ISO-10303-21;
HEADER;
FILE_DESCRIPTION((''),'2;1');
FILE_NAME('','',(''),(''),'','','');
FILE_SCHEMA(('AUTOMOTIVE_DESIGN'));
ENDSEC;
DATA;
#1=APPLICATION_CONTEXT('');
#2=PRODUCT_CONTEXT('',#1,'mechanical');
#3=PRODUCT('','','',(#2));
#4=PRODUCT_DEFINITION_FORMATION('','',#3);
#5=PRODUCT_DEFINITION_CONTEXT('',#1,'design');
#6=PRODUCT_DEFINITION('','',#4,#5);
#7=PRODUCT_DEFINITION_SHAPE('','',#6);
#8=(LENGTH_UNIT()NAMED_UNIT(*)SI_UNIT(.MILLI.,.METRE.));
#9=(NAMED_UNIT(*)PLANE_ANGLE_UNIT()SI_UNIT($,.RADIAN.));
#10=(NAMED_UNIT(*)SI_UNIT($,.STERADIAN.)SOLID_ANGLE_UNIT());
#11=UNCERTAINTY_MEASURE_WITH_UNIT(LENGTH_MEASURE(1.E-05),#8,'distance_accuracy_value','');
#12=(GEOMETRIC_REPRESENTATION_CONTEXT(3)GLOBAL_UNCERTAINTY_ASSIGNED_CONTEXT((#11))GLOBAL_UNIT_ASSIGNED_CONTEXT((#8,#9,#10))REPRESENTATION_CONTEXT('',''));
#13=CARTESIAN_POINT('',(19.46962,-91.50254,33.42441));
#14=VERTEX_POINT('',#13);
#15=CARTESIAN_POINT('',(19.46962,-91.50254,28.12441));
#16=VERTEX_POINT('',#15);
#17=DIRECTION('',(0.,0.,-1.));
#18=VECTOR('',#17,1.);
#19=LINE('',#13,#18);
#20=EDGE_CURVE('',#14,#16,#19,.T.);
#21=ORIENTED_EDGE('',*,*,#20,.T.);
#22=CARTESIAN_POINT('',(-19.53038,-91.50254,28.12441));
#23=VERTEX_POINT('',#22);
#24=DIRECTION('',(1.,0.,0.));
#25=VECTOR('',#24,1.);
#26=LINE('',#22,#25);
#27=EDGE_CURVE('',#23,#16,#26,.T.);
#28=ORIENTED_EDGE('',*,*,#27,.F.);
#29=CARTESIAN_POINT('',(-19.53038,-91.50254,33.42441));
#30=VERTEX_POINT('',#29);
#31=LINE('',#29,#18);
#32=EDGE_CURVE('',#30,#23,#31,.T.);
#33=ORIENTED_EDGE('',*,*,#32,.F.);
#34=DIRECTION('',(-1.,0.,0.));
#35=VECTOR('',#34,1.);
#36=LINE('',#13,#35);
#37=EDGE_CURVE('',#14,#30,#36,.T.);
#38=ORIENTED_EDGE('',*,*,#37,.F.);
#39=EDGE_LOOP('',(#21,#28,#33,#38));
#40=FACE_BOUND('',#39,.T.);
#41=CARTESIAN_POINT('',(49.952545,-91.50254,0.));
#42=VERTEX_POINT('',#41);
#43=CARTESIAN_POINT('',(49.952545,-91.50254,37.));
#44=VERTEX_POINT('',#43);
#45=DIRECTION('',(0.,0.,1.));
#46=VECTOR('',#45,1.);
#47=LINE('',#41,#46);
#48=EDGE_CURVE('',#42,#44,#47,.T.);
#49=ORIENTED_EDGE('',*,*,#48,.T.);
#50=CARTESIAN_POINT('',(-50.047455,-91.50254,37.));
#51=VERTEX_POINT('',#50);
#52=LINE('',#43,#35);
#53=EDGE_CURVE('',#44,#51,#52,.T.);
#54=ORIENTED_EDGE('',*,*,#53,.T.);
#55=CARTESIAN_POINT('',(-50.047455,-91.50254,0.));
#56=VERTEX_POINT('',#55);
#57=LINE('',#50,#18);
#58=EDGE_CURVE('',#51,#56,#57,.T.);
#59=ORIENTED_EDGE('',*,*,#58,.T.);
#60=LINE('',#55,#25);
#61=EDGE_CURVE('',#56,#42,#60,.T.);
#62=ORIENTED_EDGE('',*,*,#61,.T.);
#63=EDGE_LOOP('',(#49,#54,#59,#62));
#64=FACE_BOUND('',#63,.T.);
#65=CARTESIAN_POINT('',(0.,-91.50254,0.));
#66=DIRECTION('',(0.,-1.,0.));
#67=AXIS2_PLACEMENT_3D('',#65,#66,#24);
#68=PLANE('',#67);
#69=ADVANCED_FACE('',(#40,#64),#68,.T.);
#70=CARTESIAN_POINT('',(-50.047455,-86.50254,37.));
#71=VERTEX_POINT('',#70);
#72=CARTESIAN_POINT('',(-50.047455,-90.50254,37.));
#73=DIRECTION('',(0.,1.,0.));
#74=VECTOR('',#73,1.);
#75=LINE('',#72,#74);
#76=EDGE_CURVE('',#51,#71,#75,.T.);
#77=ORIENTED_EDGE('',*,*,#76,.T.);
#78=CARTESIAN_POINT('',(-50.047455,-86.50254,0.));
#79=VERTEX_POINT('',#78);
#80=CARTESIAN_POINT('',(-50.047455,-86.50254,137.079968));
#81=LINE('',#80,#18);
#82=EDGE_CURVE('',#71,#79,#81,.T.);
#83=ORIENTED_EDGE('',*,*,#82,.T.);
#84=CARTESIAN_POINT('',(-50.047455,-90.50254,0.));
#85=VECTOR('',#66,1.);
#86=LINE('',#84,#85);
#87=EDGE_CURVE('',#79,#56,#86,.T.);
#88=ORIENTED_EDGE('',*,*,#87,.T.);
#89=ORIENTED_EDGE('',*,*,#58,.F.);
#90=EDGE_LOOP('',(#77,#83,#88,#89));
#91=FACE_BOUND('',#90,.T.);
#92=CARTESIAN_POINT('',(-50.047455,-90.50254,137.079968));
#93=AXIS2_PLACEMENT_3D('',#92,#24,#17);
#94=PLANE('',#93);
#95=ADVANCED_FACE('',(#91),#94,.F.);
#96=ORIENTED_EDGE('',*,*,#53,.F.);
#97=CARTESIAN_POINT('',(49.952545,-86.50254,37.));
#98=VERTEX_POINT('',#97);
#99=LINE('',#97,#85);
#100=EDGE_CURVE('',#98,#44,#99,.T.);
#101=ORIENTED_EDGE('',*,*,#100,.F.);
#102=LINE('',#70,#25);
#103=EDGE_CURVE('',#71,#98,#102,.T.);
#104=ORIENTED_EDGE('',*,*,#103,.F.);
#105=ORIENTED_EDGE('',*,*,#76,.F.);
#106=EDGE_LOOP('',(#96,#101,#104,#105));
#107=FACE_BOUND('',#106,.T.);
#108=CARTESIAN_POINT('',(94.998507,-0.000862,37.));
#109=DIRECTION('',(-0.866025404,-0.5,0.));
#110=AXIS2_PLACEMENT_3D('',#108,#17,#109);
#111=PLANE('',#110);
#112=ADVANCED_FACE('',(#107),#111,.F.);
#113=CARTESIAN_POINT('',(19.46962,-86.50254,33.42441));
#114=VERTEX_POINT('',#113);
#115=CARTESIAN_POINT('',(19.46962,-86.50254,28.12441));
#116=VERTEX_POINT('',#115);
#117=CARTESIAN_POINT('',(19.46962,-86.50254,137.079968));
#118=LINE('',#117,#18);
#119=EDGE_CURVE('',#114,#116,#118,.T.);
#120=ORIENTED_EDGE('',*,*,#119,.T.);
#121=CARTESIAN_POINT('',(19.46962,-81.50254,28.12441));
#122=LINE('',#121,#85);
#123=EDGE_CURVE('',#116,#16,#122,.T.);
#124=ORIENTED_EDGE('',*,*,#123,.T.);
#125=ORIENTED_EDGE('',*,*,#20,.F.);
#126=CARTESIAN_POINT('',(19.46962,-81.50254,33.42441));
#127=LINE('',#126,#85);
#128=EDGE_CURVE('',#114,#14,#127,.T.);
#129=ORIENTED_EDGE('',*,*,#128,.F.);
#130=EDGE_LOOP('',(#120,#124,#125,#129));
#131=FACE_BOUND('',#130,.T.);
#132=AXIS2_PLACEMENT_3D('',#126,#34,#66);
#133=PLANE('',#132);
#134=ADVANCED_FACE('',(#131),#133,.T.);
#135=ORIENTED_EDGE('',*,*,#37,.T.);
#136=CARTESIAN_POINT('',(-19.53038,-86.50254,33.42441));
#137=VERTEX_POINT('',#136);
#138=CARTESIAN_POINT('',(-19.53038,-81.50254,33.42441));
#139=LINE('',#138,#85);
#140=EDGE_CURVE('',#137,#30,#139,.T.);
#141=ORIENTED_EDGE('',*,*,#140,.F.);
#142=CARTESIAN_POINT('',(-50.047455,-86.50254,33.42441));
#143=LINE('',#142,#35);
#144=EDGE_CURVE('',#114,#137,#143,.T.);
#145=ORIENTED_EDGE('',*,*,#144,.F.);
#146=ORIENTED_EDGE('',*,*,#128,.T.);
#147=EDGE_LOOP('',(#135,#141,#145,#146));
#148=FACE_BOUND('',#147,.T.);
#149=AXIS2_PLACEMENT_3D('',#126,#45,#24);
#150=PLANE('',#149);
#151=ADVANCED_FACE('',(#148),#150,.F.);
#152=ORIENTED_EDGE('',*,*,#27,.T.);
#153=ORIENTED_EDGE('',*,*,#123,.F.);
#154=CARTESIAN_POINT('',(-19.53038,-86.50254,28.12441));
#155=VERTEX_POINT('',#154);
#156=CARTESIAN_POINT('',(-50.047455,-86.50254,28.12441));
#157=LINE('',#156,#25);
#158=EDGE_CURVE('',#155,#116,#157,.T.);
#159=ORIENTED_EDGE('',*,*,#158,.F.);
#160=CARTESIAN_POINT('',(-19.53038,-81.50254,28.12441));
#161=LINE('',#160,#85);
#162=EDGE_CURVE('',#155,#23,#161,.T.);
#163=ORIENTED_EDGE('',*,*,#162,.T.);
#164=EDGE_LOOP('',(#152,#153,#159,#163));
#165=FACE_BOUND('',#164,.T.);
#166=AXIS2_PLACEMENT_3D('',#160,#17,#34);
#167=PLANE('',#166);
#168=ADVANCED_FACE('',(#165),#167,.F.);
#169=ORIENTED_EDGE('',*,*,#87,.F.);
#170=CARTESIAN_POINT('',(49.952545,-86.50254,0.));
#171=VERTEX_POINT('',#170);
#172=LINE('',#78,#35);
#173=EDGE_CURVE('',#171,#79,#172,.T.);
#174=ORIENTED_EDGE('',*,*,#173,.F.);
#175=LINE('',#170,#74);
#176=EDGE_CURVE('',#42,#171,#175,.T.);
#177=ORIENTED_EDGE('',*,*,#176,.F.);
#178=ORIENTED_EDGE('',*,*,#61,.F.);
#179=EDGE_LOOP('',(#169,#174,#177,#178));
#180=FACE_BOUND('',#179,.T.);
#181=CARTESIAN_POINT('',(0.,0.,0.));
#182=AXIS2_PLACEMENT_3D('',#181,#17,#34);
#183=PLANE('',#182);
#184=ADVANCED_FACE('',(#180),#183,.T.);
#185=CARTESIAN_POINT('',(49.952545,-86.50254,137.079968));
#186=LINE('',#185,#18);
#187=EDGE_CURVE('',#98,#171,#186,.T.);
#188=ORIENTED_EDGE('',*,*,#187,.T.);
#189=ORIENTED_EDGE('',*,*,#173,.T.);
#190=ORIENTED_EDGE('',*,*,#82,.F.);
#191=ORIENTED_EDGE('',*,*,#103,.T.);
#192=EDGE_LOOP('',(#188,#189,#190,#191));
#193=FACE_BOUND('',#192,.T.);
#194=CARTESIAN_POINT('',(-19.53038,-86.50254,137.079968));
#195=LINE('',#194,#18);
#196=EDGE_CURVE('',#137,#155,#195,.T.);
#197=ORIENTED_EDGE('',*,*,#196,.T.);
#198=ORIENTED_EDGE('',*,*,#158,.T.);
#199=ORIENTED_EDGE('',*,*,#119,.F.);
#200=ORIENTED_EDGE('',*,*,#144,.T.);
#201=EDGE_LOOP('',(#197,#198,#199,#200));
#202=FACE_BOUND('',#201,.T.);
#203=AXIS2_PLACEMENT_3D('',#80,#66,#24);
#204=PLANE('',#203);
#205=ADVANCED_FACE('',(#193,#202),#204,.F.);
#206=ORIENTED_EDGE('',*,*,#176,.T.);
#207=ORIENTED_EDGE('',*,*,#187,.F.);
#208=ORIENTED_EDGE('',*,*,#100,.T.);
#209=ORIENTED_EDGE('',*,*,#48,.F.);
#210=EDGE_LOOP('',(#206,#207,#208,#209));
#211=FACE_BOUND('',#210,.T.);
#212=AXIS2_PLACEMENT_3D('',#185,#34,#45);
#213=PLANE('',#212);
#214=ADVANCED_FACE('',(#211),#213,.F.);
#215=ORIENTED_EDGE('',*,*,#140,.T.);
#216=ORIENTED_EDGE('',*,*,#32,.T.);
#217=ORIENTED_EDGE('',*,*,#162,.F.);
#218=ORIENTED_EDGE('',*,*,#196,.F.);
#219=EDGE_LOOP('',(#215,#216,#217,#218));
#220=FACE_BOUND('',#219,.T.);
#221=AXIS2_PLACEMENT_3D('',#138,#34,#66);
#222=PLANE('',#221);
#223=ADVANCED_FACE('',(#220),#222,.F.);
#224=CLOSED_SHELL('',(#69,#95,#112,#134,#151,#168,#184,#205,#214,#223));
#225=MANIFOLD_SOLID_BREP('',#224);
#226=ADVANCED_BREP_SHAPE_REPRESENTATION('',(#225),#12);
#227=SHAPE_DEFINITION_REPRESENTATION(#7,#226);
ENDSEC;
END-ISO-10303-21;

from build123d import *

# Parameters (mm, degrees)
CROQUIS1_W              = 100
CROQUIS1_H              = 4
SALIENTE_EXTRUIR1_DEPTH = 37
CROQUIS2_W              = 100
CROQUIS2_H              = 37
SALIENTE_EXTRUIR2_DEPTH = 1
CROQUIS3_W              = 39
CROQUIS3_H              = 5.3
CORTAR_EXTRUIR1_DEPTH   = 10


with BuildPart() as part:
    # Croquis1 → Saliente-Extruir1 (new body)
    with BuildSketch(Plane.XY):
        with Locations((-0.047455137, -88.502540378)):
            Rectangle(CROQUIS1_W, CROQUIS1_H)
    extrude(amount=SALIENTE_EXTRUIR1_DEPTH)

    # Croquis2 → Saliente-Extruir2 (add)
    with BuildSketch(Plane.XZ.offset(90.502540378)):
        with Locations((-0.047455137, 18.5)):
            Rectangle(CROQUIS2_W, CROQUIS2_H)
    extrude(amount=SALIENTE_EXTRUIR2_DEPTH)

    # Croquis3 → Cortar-Extruir1 (cut)
    with BuildSketch(Plane.XZ.offset(91.502540378)):
        with Locations((-0.030380106, 30.774409531)):
            Rectangle(CROQUIS3_W, CROQUIS3_H)
    extrude(amount=-CORTAR_EXTRUIR1_DEPTH, mode=Mode.SUBTRACT)


solid = part.part
